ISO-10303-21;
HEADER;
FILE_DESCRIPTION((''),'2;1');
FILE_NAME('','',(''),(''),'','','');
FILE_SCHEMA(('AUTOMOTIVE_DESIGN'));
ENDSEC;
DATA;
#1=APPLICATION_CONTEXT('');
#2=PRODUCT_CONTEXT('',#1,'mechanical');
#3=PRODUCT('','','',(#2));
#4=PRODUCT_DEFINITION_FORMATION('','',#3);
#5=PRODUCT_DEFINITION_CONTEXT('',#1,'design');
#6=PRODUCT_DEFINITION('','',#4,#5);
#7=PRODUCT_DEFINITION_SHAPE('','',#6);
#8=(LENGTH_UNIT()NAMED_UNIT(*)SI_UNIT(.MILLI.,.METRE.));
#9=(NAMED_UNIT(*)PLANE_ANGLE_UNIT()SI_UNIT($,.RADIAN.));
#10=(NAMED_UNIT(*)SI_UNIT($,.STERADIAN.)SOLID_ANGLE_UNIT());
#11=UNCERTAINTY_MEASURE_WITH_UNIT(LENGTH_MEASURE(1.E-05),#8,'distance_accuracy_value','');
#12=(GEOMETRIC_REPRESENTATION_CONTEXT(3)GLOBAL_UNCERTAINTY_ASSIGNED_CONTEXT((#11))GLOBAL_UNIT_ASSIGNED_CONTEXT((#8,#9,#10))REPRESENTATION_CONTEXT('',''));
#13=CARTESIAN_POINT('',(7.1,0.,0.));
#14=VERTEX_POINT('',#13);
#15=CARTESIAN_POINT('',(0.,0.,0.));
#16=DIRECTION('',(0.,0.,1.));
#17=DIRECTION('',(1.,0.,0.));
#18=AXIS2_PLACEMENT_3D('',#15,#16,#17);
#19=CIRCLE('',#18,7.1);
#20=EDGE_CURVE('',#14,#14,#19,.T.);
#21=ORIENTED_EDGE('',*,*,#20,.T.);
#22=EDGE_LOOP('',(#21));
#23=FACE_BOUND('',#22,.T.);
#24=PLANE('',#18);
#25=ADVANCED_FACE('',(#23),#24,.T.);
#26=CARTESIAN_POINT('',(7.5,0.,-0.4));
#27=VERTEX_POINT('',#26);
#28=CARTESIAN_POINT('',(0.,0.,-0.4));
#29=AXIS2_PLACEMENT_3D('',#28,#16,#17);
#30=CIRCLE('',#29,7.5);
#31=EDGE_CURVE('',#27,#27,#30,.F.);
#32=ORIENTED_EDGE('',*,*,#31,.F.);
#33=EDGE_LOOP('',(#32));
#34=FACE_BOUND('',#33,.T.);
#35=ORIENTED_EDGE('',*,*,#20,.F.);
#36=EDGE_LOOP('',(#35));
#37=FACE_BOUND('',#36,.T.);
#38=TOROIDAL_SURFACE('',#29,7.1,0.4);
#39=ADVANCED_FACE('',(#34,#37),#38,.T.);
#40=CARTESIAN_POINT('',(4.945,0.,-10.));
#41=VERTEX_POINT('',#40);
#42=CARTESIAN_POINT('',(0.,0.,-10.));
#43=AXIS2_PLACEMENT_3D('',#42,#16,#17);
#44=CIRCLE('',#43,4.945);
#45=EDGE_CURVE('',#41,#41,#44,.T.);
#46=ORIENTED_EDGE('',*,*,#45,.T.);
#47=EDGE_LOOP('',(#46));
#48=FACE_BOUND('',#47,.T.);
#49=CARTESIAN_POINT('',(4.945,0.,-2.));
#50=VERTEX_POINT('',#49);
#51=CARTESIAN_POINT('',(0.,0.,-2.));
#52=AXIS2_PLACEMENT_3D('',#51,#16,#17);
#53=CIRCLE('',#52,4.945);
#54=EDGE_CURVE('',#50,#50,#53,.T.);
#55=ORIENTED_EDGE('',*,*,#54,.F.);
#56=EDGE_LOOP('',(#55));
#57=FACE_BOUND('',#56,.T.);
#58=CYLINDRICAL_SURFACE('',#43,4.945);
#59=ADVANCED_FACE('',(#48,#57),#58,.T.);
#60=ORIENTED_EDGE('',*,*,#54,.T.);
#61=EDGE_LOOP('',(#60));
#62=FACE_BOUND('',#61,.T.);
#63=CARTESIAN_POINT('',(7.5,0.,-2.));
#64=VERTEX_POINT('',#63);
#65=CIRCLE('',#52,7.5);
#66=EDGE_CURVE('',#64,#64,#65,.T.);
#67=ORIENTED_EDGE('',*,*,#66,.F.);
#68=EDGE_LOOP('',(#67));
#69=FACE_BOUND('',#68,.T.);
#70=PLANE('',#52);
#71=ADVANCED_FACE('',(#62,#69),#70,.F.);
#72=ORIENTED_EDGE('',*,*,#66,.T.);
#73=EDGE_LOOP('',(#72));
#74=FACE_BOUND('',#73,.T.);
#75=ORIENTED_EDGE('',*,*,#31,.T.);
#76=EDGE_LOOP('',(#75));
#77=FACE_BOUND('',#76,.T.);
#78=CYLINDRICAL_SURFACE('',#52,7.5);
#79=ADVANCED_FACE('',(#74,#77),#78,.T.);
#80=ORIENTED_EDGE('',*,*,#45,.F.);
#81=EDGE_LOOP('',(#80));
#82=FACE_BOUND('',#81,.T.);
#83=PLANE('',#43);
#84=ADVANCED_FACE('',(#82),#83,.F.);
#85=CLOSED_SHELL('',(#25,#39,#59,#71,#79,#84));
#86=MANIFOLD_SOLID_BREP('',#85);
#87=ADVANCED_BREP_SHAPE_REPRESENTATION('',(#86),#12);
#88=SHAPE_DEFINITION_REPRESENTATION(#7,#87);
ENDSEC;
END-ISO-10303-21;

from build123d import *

# Parameters (mm, degrees)
SKETCH1_R           = 7.5
BOSS_EXTRUDE1_DEPTH = 2
SKETCH2_R           = 4.945
BOSS_EXTRUDE2_DEPTH = 10
FILLET2_R           = 0.4


with BuildPart() as part:
    # Sketch1 → Boss-Extrude1 (new body)
    with BuildSketch(Plane.XY):
        Circle(SKETCH1_R)
    extrude(amount=-BOSS_EXTRUDE1_DEPTH)

    # Sketch2 → Boss-Extrude2 (add)
    with BuildSketch(Plane.XY):
        Circle(SKETCH2_R)
    extrude(amount=-BOSS_EXTRUDE2_DEPTH)

    # Fillet2
    fillet2_edges = [part.edges().sort_by_distance(p)[0] for p in [
        (-7.5, 0, 0),
    ]]
    fillet(fillet2_edges, radius=FILLET2_R)


solid = part.part
